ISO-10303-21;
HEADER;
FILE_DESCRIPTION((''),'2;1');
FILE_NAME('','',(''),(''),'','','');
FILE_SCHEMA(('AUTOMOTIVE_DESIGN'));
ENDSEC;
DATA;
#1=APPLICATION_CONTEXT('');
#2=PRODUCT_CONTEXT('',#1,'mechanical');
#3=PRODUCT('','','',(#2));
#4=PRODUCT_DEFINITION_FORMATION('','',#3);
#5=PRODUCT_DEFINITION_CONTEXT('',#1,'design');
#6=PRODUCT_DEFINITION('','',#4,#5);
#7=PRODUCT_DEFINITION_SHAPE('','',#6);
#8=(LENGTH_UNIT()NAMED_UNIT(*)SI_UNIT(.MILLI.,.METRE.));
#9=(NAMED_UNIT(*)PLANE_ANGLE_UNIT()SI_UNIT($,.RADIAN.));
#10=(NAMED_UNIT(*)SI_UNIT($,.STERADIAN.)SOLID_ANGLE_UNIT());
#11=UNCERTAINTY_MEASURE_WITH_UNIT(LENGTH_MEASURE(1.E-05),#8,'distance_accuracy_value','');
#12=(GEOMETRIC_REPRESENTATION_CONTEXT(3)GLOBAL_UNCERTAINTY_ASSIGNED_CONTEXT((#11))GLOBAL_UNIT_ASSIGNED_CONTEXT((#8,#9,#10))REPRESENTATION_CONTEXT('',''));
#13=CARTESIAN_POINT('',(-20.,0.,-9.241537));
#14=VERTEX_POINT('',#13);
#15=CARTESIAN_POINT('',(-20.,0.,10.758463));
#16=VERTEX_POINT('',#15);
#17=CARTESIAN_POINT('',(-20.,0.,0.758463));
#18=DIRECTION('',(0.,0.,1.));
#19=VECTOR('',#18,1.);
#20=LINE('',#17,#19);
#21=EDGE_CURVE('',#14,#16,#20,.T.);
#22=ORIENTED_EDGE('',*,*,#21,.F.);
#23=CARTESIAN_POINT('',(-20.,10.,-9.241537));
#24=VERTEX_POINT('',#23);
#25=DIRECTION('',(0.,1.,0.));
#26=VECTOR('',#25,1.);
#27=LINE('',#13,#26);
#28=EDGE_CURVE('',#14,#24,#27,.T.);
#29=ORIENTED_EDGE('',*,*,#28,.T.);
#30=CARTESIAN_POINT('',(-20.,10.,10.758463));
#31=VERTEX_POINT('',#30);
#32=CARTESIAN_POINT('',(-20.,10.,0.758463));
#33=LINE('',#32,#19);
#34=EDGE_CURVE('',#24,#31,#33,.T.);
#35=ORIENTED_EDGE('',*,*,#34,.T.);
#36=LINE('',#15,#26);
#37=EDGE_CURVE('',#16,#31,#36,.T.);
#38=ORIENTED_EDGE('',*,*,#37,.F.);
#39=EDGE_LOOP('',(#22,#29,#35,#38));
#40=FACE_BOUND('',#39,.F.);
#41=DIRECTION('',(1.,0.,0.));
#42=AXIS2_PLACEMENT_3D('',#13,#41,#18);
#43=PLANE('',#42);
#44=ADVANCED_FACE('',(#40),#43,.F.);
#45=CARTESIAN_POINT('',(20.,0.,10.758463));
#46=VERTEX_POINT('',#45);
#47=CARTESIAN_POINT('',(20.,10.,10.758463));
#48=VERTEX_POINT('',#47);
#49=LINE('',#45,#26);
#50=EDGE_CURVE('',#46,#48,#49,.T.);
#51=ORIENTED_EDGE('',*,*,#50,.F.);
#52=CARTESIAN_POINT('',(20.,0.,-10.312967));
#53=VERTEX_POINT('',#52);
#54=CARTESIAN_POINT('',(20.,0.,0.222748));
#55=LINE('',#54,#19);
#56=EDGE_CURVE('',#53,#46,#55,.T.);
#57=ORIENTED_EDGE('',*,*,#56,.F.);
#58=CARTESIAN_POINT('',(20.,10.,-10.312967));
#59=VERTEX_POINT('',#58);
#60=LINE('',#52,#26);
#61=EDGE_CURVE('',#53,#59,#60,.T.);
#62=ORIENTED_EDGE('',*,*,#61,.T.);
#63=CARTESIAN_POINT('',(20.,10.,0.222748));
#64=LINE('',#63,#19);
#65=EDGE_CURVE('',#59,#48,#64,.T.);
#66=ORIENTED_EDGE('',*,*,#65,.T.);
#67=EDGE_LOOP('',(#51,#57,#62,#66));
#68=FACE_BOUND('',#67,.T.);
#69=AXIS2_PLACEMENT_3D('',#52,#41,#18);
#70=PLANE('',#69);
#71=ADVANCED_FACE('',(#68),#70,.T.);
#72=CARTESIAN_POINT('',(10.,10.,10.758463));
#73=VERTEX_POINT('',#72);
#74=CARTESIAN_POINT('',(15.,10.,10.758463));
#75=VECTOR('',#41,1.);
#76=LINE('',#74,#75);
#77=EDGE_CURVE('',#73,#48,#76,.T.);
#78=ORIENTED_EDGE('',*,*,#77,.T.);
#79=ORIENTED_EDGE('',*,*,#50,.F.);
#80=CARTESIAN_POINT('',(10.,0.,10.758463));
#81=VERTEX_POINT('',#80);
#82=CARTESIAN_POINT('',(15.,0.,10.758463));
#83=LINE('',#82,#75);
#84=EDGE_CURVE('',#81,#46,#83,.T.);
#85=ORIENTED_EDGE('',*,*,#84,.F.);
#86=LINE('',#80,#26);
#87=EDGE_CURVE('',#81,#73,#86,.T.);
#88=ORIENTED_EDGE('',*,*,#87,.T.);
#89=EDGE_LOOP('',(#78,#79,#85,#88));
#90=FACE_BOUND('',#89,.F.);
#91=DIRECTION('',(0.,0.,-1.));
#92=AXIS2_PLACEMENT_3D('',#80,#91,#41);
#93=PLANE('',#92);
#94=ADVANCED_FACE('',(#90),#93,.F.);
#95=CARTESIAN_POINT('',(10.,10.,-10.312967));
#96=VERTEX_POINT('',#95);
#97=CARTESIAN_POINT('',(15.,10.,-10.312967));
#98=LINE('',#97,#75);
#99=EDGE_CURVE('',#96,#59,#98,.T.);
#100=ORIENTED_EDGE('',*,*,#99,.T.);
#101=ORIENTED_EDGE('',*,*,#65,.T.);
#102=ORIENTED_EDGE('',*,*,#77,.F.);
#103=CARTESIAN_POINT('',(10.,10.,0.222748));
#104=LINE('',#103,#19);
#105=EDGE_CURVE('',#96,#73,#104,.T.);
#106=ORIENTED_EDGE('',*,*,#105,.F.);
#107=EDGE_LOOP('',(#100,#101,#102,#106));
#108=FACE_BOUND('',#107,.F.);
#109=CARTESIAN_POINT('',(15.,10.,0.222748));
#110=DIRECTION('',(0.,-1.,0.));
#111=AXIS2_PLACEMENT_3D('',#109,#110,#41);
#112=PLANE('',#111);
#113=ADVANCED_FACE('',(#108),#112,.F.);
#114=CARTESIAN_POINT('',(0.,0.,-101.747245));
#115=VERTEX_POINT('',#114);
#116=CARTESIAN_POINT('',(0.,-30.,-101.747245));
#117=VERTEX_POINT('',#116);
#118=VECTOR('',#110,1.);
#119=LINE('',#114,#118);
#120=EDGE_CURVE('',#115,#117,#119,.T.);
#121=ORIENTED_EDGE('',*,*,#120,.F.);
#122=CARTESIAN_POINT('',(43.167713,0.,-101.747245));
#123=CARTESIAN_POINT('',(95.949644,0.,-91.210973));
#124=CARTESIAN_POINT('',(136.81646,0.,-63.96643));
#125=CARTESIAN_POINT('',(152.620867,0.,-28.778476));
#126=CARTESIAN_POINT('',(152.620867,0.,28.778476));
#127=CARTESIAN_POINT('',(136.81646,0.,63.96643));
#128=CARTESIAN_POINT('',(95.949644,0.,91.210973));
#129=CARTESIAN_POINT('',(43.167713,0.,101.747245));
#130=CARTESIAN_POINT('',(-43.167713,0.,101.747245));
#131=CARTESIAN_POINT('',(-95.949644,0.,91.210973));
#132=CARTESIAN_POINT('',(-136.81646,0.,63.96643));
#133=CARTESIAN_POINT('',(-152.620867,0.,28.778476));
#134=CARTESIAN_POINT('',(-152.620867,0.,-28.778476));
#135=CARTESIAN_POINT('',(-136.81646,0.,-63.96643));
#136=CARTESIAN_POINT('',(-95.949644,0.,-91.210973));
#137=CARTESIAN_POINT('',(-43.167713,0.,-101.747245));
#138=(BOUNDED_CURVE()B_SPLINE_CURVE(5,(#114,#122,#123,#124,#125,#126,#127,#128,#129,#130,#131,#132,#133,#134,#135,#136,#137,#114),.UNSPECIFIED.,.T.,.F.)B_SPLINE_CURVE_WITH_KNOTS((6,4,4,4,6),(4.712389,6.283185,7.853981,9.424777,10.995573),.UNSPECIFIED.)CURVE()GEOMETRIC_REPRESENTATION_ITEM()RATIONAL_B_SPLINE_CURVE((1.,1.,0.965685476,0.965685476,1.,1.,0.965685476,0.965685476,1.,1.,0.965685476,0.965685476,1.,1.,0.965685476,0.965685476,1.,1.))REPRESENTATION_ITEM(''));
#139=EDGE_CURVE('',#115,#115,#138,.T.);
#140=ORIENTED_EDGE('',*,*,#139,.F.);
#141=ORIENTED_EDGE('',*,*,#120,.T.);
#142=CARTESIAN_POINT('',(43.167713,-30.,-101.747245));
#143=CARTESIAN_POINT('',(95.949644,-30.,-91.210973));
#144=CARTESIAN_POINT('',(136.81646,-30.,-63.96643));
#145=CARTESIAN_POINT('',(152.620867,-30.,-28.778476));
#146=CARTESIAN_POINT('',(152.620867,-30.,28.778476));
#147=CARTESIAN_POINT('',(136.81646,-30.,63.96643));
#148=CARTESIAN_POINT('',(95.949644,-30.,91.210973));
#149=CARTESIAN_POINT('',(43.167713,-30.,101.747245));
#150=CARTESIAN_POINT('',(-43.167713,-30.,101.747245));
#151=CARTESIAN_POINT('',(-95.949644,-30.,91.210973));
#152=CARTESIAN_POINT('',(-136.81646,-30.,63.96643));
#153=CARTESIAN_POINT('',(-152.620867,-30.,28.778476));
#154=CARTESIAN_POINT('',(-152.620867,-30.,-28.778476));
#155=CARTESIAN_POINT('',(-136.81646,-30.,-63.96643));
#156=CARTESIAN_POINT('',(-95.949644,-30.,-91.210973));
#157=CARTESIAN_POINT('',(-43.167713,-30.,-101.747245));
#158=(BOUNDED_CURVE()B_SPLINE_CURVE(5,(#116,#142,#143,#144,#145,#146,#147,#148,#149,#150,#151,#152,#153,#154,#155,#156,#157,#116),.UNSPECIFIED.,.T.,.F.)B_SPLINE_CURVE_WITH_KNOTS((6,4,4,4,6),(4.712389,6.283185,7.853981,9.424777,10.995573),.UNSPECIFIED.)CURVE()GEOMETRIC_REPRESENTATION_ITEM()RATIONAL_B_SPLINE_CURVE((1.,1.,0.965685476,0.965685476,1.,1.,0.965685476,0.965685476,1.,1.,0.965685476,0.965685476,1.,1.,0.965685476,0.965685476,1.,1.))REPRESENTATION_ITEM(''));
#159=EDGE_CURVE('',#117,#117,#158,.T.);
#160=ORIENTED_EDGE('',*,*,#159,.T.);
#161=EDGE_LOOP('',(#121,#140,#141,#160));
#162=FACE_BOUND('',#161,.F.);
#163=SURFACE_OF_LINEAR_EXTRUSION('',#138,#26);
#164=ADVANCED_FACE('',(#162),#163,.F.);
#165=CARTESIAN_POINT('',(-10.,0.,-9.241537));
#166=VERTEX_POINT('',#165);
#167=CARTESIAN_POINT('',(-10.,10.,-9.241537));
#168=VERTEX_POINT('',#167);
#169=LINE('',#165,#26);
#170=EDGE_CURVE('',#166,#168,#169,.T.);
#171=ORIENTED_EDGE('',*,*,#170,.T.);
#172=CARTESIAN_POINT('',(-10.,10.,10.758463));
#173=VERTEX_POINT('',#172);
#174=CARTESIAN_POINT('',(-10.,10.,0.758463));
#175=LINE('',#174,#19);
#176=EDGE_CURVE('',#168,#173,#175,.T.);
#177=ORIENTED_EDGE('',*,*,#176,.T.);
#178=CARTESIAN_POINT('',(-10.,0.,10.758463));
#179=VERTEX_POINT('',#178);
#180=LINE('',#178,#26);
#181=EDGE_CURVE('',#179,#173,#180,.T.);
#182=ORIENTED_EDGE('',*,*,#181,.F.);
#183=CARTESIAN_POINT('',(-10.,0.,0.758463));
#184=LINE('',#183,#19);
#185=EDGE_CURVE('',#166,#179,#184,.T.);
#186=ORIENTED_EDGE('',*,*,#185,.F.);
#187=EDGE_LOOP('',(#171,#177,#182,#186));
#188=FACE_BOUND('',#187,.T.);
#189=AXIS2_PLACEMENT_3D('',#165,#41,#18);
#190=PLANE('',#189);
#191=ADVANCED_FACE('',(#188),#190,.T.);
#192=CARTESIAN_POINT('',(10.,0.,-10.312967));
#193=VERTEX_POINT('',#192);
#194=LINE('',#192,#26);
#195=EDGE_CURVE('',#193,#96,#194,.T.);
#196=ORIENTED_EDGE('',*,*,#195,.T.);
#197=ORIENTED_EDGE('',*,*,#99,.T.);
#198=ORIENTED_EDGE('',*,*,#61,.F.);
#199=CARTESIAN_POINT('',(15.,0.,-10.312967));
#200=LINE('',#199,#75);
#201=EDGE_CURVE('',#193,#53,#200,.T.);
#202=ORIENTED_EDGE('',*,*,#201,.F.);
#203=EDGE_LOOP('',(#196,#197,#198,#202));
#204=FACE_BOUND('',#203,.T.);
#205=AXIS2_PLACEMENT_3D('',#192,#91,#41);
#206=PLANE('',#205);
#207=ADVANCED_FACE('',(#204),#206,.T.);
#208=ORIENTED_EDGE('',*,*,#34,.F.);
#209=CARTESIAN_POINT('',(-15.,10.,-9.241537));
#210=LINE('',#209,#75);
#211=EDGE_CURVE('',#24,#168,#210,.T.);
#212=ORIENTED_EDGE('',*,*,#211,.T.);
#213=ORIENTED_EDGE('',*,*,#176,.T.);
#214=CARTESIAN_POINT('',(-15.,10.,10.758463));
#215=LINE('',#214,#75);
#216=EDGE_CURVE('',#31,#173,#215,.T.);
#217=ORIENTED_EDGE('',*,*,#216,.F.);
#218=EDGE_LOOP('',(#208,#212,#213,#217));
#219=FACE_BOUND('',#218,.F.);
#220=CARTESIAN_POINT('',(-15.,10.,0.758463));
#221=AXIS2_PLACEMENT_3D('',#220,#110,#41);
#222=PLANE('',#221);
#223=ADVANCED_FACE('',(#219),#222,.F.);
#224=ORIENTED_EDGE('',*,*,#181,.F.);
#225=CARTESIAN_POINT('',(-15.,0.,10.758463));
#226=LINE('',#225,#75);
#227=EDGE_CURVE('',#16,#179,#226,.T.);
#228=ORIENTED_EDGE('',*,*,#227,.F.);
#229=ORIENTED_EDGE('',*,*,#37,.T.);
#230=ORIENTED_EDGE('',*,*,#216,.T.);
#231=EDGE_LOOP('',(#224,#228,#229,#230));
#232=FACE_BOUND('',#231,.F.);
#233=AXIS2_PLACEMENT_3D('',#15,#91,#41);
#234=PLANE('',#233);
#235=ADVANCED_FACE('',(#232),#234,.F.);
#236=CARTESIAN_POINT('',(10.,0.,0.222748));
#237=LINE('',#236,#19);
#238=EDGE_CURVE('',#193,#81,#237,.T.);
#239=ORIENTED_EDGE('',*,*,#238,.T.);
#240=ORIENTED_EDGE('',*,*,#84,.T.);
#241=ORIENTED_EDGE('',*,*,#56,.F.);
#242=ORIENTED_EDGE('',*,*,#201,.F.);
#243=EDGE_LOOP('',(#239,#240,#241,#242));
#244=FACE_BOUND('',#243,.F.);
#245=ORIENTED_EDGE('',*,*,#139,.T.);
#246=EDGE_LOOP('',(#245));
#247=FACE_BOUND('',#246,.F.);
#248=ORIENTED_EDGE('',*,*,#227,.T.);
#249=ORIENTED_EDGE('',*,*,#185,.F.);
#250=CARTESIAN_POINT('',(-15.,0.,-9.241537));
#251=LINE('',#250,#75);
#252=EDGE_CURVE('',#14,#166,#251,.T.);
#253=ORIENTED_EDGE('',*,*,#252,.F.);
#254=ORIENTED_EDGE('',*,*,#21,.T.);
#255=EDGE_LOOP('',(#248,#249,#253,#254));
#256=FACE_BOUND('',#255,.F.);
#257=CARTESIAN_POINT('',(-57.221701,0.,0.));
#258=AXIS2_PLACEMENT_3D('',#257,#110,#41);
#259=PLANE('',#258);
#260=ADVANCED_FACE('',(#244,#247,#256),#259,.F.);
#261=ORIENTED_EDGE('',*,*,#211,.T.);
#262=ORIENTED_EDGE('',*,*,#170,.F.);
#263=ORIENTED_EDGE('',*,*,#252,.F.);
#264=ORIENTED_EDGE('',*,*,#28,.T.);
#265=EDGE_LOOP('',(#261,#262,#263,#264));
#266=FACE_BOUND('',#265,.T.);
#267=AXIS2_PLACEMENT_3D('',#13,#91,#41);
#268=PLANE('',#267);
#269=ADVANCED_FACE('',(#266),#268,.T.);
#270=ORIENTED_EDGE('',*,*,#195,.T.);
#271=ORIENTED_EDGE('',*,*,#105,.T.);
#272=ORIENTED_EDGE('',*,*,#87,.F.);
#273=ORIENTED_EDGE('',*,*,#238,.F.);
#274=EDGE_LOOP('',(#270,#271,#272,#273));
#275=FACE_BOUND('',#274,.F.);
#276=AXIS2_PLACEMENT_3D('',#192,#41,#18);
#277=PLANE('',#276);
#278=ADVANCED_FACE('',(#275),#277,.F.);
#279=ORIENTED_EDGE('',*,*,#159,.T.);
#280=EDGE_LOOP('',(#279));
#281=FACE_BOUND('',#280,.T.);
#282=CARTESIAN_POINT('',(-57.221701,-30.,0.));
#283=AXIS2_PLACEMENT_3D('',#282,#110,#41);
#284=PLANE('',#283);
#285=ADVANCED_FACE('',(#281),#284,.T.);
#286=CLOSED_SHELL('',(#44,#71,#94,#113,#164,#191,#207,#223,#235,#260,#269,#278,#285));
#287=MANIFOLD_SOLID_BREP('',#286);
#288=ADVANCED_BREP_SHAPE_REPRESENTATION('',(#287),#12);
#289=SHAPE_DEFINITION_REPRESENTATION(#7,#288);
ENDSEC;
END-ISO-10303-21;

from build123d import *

# Parameters (mm, degrees)
F1_DEPTH = 30
F2_W     = 10
F2_H     = 20
F2_H_2   = 21.07143
F3_DEPTH = 10


with BuildPart() as f1:
    # F0 (on Front) → F1 (new body)
    with BuildSketch(Plane.XZ):
        with BuildLine():
            Line((0, 0), (0, 101.747245))
            add(Edge.make_bspline(
                [(0, 101.747245), (-152.620867, 101.747245), (-152.620867, 0), (-152.620867, -101.747245), (0, -101.747245)],
                knots=[1.570796, 1.570796, 1.570796, 3.141593, 3.141593, 4.712389, 4.712389, 4.712389], degree=2, weights=[1, 0.707107, 1, 0.707107, 1]))
            Line((0, -101.747245), (0, 0))
        make_face()
        with BuildLine():
            add(Edge.make_bspline(
                [(0, -101.747245), (152.620867, -101.747245), (152.620867, 0)],
                knots=[4.712389, 4.712389, 4.712389, 6.283185, 6.283185, 6.283185], degree=2, weights=[1, 0.707107, 1]))
            add(Edge.make_bspline(
                [(152.620867, 0), (152.620867, 101.747245), (0, 101.747245)],
                knots=[0, 0, 0, 1.570796, 1.570796, 1.570796], degree=2, weights=[1, 0.707107, 1]))
            Line((0, 101.747245), (0, 0))
            Line((0, 0), (0, -101.747245))
        make_face()
    extrude(amount=F1_DEPTH)

    # F2 (on face) → F3 (join)
    with BuildSketch(Plane.XZ):
        with Locations((-15, 0.758463)):
            Rectangle(F2_W, F2_H)
        with Locations((15, 0.222748)):
            Rectangle(F2_W, F2_H_2)
    extrude(amount=-F3_DEPTH)


solid = f1.part
